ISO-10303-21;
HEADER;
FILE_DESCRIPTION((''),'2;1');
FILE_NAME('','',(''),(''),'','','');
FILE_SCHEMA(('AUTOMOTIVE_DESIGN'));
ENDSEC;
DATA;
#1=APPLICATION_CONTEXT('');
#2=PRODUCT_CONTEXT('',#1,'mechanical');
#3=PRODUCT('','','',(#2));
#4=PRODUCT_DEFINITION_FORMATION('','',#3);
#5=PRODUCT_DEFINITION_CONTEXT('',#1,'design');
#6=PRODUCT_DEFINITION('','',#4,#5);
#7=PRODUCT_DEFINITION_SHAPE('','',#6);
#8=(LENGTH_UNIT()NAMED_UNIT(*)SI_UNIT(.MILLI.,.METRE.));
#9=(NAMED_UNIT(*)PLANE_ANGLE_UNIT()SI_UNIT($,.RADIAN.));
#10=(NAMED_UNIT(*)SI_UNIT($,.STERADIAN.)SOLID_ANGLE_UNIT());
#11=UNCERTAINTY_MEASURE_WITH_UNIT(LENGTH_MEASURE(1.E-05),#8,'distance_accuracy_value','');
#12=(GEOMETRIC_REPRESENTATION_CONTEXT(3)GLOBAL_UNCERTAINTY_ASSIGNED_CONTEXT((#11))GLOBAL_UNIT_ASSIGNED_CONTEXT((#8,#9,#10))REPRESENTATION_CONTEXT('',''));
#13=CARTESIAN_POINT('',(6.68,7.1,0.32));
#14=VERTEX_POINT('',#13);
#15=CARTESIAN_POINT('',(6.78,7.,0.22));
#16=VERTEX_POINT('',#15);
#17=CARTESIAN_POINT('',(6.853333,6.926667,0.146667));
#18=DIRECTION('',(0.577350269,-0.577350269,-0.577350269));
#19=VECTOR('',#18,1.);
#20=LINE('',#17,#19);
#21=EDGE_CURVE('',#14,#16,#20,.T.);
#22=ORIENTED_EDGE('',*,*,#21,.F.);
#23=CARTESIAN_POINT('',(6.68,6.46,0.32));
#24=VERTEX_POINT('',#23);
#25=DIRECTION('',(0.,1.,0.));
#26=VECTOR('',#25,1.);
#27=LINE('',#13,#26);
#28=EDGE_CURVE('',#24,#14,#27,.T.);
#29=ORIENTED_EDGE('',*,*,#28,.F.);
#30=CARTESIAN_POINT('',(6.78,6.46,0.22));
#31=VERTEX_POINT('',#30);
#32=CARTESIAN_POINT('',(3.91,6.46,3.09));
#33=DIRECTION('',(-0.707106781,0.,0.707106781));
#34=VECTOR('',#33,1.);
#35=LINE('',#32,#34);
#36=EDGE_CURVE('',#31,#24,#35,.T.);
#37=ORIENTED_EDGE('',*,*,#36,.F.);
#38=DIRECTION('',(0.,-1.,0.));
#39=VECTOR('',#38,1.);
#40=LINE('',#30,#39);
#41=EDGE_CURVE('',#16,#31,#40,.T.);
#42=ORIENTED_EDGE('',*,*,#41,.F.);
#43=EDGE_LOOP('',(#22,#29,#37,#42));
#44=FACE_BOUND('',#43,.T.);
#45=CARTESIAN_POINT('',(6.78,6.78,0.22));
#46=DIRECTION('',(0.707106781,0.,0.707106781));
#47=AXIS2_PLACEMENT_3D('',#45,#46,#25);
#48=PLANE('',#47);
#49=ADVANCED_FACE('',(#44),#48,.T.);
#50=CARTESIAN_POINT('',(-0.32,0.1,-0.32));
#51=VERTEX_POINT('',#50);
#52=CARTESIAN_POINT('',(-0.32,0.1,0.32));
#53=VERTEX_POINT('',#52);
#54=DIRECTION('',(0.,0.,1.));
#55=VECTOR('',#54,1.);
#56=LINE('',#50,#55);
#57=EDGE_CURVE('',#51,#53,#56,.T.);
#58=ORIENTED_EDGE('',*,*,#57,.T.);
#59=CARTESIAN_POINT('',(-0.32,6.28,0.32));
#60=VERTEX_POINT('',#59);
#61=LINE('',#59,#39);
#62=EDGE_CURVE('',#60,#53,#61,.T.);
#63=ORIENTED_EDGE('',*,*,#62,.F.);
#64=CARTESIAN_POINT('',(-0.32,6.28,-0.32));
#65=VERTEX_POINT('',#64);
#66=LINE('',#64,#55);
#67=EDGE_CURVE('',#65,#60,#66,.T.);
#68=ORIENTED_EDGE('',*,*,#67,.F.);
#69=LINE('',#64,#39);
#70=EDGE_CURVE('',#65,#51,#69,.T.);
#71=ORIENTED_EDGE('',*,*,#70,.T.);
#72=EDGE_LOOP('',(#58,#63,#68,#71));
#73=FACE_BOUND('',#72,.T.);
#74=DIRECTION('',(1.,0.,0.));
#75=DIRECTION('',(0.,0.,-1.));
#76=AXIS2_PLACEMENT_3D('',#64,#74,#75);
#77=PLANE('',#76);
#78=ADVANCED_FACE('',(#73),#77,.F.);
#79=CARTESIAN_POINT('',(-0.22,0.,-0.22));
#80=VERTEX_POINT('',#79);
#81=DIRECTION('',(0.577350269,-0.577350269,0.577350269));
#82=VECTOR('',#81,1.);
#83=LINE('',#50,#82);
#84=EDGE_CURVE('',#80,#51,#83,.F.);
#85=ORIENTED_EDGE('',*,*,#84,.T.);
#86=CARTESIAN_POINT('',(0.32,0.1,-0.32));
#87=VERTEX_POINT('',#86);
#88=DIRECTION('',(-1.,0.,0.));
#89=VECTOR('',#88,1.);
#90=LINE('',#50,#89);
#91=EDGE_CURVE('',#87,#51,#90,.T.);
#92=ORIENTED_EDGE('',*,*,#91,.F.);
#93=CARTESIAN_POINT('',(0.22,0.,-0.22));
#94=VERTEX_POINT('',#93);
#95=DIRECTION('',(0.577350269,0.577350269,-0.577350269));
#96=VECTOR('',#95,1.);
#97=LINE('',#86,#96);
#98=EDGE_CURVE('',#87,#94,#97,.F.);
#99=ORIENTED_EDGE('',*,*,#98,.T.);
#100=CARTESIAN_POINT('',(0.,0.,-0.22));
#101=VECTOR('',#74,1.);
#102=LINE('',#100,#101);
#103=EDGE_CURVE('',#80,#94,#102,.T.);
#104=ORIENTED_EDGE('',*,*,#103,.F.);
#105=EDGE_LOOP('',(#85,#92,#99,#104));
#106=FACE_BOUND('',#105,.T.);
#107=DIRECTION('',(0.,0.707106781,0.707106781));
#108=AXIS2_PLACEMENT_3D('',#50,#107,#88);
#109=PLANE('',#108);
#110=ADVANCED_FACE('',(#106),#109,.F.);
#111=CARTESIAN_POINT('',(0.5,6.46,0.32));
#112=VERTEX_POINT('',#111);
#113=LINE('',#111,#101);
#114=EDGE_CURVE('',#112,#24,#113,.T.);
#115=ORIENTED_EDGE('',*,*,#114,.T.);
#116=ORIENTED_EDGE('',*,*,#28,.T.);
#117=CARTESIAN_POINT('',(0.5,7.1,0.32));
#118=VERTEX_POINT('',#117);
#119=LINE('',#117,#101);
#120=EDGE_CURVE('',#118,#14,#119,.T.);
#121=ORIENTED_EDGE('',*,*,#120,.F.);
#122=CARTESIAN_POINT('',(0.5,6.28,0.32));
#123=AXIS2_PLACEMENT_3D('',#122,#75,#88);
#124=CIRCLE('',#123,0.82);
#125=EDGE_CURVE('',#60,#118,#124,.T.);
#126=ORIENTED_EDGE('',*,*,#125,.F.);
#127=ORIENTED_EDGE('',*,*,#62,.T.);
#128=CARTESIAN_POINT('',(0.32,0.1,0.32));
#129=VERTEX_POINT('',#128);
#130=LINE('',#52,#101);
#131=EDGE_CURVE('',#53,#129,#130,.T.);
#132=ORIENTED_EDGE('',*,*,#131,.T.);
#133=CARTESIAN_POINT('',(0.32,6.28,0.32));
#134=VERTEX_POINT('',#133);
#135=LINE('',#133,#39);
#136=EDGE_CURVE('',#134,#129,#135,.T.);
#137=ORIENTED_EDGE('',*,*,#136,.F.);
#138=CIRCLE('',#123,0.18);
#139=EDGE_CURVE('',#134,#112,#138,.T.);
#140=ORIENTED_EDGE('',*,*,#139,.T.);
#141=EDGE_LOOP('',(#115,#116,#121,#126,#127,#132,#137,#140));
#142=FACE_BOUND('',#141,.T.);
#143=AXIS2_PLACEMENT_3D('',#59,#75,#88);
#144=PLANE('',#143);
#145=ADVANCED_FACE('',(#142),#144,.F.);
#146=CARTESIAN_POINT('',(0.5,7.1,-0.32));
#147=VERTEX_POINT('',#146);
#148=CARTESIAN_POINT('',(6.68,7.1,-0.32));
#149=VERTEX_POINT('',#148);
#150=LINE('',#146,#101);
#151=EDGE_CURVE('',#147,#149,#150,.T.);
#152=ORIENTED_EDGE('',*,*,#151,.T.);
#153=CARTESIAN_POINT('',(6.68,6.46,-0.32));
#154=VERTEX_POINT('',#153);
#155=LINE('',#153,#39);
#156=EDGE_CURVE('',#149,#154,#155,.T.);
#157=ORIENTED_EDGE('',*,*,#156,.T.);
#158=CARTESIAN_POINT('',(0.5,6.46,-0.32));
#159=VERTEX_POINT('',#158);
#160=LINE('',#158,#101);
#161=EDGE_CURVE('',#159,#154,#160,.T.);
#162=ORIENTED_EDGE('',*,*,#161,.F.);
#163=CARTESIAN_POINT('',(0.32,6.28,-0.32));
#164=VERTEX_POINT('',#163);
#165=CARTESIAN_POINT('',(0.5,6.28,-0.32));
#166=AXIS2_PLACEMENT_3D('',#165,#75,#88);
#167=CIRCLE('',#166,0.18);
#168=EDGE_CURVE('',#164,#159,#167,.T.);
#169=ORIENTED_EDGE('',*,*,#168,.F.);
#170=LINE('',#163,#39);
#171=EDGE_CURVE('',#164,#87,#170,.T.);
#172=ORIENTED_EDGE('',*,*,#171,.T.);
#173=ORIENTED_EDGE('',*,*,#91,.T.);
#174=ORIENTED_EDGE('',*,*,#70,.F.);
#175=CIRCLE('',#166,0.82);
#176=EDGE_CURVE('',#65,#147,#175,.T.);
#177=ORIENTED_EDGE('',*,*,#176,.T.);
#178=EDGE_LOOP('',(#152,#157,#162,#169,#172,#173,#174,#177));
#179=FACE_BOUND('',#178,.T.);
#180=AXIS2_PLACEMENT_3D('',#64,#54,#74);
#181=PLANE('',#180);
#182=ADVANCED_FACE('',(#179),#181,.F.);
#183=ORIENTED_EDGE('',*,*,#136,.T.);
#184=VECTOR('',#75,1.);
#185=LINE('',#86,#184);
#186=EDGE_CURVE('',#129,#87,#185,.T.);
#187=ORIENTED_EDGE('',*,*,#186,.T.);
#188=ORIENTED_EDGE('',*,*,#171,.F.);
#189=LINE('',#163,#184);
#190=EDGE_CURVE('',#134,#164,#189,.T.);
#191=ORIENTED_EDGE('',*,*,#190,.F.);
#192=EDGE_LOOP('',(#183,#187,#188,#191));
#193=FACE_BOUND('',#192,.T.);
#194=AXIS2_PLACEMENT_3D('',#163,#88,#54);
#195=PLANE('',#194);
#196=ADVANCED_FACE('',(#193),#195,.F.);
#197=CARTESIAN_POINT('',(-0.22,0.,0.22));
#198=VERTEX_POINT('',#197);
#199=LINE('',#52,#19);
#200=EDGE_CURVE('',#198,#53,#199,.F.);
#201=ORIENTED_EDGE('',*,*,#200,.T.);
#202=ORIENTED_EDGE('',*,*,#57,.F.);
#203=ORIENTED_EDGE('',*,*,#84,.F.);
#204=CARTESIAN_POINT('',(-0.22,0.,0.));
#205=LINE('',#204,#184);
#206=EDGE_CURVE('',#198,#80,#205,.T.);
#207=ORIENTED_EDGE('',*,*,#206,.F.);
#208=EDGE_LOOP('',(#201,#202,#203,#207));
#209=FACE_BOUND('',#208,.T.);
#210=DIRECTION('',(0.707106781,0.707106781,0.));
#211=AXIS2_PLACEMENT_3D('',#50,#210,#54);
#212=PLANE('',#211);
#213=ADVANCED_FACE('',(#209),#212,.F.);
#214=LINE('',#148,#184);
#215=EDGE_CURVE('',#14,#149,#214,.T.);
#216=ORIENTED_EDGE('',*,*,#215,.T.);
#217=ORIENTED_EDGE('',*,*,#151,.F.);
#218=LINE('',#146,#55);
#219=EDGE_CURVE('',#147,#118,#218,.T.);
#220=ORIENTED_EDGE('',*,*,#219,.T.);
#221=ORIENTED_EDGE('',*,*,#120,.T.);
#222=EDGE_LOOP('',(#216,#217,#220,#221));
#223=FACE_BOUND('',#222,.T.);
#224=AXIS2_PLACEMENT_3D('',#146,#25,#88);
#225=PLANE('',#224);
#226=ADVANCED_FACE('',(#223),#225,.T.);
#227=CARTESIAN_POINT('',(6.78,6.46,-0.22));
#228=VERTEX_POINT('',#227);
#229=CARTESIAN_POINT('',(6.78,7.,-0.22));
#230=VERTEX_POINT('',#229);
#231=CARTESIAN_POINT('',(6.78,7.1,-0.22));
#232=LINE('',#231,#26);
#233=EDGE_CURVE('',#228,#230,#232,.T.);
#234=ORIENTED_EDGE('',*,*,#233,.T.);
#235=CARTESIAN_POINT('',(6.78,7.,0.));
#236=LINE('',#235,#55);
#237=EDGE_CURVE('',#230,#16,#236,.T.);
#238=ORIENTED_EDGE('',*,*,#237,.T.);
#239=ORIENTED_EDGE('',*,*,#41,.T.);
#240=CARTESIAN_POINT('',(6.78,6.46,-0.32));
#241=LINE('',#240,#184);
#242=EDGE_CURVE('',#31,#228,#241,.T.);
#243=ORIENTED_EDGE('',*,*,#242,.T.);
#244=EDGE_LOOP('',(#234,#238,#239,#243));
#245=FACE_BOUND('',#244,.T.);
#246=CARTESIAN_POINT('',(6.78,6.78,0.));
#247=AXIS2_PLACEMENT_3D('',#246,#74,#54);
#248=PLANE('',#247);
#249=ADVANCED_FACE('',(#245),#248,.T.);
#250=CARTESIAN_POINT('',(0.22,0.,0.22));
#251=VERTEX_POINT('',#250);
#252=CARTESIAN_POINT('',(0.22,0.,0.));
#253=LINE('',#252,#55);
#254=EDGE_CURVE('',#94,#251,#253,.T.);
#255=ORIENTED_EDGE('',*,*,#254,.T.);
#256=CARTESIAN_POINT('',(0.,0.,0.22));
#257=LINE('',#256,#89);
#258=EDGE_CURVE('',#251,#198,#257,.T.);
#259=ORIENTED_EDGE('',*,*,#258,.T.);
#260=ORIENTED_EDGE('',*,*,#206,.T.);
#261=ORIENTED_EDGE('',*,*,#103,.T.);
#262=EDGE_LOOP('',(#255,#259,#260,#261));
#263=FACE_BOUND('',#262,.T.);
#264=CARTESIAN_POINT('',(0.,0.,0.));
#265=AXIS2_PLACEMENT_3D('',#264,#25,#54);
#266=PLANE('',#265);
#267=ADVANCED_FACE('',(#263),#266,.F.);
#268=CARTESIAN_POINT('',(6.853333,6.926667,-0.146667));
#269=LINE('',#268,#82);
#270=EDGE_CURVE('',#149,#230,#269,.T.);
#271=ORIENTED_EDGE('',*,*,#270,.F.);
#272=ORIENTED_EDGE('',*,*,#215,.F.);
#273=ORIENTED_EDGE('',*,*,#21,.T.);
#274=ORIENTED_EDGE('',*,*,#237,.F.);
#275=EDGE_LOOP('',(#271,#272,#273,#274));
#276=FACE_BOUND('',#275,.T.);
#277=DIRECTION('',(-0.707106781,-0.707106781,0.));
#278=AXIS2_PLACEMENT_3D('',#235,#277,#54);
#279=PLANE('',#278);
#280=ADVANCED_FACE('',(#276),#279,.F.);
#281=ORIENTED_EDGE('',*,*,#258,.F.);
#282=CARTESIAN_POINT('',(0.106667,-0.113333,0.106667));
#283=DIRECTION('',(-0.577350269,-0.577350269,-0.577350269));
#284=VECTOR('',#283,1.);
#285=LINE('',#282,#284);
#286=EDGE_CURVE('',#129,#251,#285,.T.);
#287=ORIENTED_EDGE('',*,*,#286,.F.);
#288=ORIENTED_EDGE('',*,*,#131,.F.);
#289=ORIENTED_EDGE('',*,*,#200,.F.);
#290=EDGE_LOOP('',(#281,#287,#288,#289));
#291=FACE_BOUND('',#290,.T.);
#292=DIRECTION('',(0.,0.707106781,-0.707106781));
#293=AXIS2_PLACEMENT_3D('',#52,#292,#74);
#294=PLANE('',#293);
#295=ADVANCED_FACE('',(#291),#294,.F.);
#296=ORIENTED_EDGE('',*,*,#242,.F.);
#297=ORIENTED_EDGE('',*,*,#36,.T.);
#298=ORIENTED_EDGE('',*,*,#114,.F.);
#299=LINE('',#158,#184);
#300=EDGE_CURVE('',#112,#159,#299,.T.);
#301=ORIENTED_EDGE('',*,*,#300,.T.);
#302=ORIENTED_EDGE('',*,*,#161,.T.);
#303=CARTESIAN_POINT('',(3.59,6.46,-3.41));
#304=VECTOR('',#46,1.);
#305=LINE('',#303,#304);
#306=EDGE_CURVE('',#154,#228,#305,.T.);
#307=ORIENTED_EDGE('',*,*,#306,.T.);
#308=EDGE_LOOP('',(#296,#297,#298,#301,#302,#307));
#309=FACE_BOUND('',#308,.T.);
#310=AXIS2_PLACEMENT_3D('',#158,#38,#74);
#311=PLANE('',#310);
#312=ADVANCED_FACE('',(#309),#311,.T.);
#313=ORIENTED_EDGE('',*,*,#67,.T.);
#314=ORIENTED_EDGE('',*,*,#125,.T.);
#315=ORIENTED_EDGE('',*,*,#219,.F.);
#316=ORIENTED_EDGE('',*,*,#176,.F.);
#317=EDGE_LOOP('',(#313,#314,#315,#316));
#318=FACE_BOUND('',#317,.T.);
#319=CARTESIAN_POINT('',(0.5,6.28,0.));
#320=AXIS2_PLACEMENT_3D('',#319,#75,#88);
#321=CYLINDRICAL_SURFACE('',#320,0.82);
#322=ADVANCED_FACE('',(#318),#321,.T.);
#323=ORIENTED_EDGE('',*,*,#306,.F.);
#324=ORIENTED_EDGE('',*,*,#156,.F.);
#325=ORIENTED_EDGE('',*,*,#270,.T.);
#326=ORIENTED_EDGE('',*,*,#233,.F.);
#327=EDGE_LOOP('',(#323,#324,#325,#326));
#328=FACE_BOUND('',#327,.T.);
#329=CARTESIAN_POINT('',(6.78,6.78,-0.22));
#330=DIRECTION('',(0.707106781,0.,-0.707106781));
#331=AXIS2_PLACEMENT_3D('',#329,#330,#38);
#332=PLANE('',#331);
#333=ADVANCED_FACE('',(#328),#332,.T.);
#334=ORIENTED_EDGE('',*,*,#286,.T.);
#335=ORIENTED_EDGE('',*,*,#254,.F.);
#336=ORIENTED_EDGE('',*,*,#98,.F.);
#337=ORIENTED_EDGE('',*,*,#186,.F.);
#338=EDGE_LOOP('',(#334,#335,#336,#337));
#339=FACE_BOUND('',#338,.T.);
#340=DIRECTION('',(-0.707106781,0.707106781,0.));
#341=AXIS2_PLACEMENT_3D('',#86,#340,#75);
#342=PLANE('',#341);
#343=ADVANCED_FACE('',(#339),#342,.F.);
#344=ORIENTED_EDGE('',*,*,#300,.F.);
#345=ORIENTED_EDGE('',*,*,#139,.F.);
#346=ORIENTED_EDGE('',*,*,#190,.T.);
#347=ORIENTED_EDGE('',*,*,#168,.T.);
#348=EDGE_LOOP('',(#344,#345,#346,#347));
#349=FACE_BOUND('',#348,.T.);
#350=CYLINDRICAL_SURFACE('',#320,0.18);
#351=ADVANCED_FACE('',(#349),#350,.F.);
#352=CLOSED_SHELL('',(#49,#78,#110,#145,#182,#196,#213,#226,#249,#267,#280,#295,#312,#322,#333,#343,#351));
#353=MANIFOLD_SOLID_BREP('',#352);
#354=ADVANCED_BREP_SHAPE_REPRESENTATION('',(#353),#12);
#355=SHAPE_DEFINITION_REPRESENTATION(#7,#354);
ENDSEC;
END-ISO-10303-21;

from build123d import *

# Parameters (mm, degrees)
SKETCH_1_W     = 0.64
SKETCH_1_H     = 0.64
CHAMFER_1_SIZE = 0.1


with BuildPart() as part:
    # По траектории1: sweep along a path in Эскиз2
    with BuildLine(Plane.XY) as sweep_1_path:
        Line((0, 0), (0, 6.28))
        ThreePointArc((0, 6.28), (0.146446609, 6.633553391), (0.5, 6.78))
        Line((0.5, 6.78), (6.78, 6.78))
    # Эскиз1 → По траектории1 (sweep)
    with BuildSketch(Plane(origin=(0, 0, 0), x_dir=(1, 0, 0), z_dir=(0, 1, 0))):
        Rectangle(SKETCH_1_W, SKETCH_1_H)
    sweep(path=sweep_1_path.line)

    # Фаска1
    chamfer_1_edges = [part.edges().sort_by_distance(p)[0] for p in [
        (6.78, 6.78, 0.32),
        (6.78, 7.1, 0),
        (6.78, 6.78, -0.32),
        (0, 0, 0.32),
        (-0.32, 0, 0),
        (0, 0, -0.32),
        (0.32, 0, 0),
    ]]
    chamfer(chamfer_1_edges, length=CHAMFER_1_SIZE)


solid = part.part
